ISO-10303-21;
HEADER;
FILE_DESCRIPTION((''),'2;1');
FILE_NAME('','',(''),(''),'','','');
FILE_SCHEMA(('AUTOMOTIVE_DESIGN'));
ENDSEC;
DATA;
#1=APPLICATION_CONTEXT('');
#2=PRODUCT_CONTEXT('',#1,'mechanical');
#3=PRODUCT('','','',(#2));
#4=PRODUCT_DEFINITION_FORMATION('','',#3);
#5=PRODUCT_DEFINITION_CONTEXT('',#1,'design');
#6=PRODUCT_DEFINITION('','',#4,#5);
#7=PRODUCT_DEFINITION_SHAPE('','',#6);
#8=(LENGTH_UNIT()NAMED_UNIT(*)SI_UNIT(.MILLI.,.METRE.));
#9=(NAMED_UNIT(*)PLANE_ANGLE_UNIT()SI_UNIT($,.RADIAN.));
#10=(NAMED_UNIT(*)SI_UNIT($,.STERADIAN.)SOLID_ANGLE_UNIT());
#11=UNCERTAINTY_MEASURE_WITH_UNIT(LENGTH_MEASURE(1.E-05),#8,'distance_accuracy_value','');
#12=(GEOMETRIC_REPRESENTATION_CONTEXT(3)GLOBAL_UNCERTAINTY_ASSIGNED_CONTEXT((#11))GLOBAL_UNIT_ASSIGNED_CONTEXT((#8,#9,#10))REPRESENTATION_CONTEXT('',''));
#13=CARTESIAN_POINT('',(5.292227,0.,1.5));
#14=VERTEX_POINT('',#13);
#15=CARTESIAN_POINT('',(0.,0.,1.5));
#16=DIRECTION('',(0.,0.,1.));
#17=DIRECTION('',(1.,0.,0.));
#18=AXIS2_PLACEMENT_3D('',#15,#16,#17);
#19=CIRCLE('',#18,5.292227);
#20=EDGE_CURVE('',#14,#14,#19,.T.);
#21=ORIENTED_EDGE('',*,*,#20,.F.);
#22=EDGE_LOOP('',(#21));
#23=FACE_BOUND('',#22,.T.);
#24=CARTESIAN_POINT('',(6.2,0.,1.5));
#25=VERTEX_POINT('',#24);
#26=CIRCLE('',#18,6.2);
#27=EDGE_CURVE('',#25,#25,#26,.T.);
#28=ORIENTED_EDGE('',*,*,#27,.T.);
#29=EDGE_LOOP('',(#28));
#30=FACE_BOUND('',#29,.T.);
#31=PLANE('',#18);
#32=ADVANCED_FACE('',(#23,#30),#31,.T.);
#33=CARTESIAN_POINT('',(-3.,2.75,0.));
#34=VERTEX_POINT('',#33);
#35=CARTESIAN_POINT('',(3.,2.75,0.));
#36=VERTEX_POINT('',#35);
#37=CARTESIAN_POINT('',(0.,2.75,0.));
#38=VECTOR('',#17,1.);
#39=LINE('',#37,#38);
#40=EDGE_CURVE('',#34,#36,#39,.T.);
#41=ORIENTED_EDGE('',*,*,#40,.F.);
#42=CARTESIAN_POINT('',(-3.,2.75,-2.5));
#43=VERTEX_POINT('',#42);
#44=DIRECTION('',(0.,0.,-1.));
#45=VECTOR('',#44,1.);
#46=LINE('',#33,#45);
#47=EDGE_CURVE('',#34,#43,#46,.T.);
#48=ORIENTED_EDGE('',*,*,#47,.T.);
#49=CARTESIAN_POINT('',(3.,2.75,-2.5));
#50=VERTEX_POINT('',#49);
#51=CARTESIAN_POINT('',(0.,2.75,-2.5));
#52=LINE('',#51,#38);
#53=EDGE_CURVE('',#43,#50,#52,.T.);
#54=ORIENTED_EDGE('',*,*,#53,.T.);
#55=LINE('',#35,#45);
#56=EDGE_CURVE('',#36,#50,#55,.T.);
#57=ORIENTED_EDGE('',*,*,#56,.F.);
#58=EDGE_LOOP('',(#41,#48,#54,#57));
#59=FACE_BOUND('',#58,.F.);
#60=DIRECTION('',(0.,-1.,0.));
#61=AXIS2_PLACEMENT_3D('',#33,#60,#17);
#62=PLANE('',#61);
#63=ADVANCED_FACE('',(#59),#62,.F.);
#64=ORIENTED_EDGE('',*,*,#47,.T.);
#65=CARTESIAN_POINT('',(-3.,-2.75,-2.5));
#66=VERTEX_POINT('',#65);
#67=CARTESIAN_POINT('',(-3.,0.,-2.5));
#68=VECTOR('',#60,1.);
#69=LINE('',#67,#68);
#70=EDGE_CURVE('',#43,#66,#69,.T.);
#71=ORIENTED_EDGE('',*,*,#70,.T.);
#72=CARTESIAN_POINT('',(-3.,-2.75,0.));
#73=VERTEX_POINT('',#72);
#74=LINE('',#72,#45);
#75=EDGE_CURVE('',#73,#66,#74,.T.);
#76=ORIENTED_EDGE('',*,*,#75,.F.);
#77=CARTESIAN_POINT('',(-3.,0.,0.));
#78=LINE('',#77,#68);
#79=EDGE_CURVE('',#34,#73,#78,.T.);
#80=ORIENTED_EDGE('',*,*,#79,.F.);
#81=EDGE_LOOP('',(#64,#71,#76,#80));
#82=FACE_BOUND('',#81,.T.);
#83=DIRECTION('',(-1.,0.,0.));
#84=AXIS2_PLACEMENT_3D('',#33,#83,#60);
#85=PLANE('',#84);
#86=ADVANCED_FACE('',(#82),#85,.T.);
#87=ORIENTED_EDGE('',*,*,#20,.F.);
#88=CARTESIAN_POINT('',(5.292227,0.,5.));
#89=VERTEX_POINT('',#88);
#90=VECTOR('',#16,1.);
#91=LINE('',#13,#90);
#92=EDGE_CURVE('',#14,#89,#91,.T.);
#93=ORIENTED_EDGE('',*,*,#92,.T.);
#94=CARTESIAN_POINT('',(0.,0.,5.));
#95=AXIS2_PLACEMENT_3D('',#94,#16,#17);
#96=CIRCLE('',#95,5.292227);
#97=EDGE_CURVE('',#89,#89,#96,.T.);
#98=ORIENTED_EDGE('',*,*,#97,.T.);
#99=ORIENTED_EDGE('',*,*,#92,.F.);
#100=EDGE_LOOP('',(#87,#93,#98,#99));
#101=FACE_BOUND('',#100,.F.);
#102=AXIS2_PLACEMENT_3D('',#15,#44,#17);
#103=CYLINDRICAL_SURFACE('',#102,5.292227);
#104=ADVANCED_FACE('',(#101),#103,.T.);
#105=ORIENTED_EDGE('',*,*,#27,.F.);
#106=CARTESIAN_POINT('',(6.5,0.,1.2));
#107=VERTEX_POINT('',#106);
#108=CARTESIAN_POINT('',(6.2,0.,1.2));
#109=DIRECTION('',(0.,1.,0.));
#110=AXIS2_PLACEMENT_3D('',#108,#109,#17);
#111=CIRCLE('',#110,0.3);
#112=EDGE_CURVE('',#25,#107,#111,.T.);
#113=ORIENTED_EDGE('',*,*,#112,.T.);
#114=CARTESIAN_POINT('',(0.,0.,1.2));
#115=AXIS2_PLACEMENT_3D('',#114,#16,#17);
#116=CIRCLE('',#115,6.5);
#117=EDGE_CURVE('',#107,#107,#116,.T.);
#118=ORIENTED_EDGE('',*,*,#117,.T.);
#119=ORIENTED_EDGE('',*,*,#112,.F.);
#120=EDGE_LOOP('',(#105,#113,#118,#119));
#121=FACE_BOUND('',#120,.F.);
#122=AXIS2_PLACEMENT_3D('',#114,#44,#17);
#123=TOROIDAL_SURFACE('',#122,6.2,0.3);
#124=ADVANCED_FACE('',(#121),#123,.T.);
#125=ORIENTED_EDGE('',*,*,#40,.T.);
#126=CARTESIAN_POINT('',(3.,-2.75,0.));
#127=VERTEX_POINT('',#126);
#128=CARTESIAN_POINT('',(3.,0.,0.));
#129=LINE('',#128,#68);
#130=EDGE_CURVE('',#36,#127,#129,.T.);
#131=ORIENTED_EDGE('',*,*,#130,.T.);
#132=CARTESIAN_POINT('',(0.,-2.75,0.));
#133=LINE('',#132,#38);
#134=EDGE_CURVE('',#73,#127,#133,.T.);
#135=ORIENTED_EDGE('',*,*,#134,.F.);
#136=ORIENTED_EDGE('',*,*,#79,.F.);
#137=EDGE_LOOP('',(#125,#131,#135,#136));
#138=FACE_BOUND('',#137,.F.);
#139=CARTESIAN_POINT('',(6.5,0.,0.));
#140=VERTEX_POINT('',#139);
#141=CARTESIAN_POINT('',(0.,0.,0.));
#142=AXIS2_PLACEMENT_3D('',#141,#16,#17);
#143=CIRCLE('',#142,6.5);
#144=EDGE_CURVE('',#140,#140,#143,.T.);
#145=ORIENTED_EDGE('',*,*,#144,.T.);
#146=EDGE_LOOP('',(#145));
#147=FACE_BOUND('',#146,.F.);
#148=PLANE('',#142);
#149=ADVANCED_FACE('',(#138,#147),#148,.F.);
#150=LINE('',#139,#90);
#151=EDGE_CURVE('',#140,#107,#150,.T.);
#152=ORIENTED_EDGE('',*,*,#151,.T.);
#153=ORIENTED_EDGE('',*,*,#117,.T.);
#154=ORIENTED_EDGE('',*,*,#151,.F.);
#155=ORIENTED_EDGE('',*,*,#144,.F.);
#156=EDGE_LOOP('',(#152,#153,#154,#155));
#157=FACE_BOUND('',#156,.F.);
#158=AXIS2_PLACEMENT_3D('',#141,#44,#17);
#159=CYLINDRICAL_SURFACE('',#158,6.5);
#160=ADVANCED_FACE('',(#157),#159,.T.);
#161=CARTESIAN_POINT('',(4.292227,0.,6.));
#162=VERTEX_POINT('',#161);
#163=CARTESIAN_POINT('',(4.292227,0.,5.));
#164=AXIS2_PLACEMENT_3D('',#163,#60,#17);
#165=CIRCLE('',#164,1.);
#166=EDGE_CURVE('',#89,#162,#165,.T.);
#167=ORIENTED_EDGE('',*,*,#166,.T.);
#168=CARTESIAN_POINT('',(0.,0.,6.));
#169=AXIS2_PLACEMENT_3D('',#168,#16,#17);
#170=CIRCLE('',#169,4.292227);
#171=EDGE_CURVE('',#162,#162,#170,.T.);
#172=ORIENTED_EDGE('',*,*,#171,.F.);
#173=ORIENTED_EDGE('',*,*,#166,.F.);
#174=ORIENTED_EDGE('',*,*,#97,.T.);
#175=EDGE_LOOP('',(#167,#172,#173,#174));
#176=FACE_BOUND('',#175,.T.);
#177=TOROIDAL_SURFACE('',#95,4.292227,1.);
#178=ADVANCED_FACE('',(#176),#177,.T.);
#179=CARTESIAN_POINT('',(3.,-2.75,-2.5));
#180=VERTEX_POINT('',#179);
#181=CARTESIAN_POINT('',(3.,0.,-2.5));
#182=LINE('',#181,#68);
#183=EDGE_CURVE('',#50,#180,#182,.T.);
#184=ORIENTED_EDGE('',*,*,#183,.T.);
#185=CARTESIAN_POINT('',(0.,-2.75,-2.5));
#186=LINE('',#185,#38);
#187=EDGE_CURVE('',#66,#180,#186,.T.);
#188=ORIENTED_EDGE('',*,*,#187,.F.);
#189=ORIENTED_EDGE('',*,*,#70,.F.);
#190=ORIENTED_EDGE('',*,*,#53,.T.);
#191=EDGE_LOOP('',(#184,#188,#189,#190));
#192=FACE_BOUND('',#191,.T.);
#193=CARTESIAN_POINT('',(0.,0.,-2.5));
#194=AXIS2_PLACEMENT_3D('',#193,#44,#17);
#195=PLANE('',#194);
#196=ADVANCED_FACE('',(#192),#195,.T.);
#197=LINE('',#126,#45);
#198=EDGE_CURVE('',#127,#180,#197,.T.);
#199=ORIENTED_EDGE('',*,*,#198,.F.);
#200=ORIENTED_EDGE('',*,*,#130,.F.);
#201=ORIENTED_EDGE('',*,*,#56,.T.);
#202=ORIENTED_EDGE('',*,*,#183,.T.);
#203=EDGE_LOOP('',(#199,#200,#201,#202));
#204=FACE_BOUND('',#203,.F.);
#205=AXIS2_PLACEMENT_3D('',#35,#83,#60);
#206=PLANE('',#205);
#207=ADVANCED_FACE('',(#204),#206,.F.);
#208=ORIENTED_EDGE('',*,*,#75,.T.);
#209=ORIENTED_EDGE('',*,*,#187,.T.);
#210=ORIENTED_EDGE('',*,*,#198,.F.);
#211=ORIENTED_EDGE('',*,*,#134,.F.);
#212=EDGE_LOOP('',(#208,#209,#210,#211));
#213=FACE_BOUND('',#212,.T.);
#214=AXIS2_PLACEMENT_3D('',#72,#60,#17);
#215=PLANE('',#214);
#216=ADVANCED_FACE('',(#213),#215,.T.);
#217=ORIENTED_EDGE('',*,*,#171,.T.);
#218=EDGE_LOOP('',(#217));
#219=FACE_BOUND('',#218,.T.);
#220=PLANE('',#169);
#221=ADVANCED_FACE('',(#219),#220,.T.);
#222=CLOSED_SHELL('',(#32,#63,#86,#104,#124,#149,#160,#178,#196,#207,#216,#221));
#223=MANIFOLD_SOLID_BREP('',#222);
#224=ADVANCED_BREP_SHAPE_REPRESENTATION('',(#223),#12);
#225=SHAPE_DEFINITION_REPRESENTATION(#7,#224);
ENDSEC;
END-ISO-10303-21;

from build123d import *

# Parameters (mm, degrees)
SKETCH_R     = 6.5
PAD_DEPTH    = 1.5
SKETCH001_R  = 5.292227
PAD001_DEPTH = 4.5
FILLET_R     = 1
FILLET001_R  = 0.3
SKETCH002_W  = 6
SKETCH002_H  = 5.5
PAD002_DEPTH = 2.5


with BuildPart() as part:
    # Sketch → Pad (new body)
    with BuildSketch(Plane.XY):
        Circle(SKETCH_R)
    extrude(amount=PAD_DEPTH)

    # Sketch001 → Pad001 (new body)
    with BuildSketch(Plane.XY.offset(1.5)):
        Circle(SKETCH001_R)
    extrude(amount=PAD001_DEPTH)

    # Fillet
    fillet_edges = [part.edges().sort_by_distance(p)[0] for p in [
        (-5.292227, 0, 6),
    ]]
    fillet(fillet_edges, radius=FILLET_R)

    # Fillet001
    fillet001_edges = [part.edges().sort_by_distance(p)[0] for p in [
        (-6.5, 0, 1.5),
    ]]
    fillet(fillet001_edges, radius=FILLET001_R)

    # Sketch002 → Pad002 (new body)
    with BuildSketch(Plane(origin=(0, 0, 0), x_dir=(1, 0, 0), z_dir=(0, 0, -1))):
        Rectangle(SKETCH002_W, SKETCH002_H)
    extrude(amount=PAD002_DEPTH)


solid = part.part
